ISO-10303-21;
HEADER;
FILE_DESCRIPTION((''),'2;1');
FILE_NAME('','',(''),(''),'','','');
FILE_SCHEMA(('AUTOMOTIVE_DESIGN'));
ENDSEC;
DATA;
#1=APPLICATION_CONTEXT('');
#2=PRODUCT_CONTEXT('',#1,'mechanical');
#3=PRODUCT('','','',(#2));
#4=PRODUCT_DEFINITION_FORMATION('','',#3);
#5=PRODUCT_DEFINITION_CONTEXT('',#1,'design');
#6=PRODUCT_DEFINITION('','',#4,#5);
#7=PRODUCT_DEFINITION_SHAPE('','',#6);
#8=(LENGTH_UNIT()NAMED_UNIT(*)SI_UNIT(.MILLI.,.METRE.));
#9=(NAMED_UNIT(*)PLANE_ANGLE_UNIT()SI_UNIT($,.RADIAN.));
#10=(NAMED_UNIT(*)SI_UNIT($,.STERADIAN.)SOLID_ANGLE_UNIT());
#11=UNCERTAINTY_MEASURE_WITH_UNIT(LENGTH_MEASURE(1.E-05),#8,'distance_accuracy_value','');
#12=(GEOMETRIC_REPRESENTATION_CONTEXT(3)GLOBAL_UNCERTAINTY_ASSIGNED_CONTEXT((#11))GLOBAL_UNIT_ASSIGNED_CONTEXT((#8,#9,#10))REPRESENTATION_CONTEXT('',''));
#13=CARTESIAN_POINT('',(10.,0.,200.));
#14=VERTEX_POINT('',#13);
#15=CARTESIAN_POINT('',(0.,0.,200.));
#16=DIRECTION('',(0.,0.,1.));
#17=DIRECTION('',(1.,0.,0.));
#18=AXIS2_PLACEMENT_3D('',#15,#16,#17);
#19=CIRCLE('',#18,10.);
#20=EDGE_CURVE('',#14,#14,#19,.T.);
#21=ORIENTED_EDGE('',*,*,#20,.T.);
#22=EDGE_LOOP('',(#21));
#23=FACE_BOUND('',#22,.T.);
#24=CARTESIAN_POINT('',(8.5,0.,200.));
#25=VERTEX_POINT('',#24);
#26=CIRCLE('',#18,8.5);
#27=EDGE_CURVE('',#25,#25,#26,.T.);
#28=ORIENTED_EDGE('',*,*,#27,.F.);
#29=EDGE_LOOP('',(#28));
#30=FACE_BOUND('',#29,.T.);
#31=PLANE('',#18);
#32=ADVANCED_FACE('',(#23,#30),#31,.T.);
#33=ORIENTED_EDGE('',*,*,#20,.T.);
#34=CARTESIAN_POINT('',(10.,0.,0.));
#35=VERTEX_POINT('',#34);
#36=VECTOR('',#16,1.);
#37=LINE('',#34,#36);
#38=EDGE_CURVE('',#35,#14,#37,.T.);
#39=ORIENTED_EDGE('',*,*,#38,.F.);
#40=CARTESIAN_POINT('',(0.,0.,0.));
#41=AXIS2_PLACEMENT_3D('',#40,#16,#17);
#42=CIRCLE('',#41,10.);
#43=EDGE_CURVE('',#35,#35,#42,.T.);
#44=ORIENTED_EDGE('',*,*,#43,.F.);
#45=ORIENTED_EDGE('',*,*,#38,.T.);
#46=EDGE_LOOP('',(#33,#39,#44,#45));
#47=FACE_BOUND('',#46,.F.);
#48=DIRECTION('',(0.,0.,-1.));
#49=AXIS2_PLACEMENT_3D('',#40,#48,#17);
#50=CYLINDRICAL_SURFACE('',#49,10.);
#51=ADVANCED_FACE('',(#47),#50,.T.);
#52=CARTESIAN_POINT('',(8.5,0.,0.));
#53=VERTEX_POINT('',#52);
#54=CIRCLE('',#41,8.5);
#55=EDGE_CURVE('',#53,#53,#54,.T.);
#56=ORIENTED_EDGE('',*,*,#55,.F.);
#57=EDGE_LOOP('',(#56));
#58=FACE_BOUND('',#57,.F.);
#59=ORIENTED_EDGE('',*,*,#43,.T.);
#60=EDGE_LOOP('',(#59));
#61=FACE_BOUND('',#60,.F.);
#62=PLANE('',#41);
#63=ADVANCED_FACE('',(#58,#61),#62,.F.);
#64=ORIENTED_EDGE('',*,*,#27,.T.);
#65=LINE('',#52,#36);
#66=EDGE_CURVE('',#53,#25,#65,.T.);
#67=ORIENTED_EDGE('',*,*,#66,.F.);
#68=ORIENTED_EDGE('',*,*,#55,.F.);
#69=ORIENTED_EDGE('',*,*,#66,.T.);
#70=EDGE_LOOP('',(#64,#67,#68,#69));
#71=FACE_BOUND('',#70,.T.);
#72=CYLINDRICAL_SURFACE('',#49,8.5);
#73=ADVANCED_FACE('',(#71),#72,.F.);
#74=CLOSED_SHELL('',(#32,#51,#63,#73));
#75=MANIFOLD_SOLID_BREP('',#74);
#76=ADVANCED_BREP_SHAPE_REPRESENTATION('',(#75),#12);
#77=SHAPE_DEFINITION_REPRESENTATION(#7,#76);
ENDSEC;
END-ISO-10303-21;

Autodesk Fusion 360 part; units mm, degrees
sketch "Sketch1" plane through (0, 0, 0) normal (0, 0, 1) x (1, 0, 0)
  circle A0 centre (0, 0) radius 10
  circle A1 centre (0, 0) radius 8.5
  dimension "d1" = 20
  dimension "d2" = -1.5
extrude "Extrude1" add sketch "Sketch1" along normal blind 200
